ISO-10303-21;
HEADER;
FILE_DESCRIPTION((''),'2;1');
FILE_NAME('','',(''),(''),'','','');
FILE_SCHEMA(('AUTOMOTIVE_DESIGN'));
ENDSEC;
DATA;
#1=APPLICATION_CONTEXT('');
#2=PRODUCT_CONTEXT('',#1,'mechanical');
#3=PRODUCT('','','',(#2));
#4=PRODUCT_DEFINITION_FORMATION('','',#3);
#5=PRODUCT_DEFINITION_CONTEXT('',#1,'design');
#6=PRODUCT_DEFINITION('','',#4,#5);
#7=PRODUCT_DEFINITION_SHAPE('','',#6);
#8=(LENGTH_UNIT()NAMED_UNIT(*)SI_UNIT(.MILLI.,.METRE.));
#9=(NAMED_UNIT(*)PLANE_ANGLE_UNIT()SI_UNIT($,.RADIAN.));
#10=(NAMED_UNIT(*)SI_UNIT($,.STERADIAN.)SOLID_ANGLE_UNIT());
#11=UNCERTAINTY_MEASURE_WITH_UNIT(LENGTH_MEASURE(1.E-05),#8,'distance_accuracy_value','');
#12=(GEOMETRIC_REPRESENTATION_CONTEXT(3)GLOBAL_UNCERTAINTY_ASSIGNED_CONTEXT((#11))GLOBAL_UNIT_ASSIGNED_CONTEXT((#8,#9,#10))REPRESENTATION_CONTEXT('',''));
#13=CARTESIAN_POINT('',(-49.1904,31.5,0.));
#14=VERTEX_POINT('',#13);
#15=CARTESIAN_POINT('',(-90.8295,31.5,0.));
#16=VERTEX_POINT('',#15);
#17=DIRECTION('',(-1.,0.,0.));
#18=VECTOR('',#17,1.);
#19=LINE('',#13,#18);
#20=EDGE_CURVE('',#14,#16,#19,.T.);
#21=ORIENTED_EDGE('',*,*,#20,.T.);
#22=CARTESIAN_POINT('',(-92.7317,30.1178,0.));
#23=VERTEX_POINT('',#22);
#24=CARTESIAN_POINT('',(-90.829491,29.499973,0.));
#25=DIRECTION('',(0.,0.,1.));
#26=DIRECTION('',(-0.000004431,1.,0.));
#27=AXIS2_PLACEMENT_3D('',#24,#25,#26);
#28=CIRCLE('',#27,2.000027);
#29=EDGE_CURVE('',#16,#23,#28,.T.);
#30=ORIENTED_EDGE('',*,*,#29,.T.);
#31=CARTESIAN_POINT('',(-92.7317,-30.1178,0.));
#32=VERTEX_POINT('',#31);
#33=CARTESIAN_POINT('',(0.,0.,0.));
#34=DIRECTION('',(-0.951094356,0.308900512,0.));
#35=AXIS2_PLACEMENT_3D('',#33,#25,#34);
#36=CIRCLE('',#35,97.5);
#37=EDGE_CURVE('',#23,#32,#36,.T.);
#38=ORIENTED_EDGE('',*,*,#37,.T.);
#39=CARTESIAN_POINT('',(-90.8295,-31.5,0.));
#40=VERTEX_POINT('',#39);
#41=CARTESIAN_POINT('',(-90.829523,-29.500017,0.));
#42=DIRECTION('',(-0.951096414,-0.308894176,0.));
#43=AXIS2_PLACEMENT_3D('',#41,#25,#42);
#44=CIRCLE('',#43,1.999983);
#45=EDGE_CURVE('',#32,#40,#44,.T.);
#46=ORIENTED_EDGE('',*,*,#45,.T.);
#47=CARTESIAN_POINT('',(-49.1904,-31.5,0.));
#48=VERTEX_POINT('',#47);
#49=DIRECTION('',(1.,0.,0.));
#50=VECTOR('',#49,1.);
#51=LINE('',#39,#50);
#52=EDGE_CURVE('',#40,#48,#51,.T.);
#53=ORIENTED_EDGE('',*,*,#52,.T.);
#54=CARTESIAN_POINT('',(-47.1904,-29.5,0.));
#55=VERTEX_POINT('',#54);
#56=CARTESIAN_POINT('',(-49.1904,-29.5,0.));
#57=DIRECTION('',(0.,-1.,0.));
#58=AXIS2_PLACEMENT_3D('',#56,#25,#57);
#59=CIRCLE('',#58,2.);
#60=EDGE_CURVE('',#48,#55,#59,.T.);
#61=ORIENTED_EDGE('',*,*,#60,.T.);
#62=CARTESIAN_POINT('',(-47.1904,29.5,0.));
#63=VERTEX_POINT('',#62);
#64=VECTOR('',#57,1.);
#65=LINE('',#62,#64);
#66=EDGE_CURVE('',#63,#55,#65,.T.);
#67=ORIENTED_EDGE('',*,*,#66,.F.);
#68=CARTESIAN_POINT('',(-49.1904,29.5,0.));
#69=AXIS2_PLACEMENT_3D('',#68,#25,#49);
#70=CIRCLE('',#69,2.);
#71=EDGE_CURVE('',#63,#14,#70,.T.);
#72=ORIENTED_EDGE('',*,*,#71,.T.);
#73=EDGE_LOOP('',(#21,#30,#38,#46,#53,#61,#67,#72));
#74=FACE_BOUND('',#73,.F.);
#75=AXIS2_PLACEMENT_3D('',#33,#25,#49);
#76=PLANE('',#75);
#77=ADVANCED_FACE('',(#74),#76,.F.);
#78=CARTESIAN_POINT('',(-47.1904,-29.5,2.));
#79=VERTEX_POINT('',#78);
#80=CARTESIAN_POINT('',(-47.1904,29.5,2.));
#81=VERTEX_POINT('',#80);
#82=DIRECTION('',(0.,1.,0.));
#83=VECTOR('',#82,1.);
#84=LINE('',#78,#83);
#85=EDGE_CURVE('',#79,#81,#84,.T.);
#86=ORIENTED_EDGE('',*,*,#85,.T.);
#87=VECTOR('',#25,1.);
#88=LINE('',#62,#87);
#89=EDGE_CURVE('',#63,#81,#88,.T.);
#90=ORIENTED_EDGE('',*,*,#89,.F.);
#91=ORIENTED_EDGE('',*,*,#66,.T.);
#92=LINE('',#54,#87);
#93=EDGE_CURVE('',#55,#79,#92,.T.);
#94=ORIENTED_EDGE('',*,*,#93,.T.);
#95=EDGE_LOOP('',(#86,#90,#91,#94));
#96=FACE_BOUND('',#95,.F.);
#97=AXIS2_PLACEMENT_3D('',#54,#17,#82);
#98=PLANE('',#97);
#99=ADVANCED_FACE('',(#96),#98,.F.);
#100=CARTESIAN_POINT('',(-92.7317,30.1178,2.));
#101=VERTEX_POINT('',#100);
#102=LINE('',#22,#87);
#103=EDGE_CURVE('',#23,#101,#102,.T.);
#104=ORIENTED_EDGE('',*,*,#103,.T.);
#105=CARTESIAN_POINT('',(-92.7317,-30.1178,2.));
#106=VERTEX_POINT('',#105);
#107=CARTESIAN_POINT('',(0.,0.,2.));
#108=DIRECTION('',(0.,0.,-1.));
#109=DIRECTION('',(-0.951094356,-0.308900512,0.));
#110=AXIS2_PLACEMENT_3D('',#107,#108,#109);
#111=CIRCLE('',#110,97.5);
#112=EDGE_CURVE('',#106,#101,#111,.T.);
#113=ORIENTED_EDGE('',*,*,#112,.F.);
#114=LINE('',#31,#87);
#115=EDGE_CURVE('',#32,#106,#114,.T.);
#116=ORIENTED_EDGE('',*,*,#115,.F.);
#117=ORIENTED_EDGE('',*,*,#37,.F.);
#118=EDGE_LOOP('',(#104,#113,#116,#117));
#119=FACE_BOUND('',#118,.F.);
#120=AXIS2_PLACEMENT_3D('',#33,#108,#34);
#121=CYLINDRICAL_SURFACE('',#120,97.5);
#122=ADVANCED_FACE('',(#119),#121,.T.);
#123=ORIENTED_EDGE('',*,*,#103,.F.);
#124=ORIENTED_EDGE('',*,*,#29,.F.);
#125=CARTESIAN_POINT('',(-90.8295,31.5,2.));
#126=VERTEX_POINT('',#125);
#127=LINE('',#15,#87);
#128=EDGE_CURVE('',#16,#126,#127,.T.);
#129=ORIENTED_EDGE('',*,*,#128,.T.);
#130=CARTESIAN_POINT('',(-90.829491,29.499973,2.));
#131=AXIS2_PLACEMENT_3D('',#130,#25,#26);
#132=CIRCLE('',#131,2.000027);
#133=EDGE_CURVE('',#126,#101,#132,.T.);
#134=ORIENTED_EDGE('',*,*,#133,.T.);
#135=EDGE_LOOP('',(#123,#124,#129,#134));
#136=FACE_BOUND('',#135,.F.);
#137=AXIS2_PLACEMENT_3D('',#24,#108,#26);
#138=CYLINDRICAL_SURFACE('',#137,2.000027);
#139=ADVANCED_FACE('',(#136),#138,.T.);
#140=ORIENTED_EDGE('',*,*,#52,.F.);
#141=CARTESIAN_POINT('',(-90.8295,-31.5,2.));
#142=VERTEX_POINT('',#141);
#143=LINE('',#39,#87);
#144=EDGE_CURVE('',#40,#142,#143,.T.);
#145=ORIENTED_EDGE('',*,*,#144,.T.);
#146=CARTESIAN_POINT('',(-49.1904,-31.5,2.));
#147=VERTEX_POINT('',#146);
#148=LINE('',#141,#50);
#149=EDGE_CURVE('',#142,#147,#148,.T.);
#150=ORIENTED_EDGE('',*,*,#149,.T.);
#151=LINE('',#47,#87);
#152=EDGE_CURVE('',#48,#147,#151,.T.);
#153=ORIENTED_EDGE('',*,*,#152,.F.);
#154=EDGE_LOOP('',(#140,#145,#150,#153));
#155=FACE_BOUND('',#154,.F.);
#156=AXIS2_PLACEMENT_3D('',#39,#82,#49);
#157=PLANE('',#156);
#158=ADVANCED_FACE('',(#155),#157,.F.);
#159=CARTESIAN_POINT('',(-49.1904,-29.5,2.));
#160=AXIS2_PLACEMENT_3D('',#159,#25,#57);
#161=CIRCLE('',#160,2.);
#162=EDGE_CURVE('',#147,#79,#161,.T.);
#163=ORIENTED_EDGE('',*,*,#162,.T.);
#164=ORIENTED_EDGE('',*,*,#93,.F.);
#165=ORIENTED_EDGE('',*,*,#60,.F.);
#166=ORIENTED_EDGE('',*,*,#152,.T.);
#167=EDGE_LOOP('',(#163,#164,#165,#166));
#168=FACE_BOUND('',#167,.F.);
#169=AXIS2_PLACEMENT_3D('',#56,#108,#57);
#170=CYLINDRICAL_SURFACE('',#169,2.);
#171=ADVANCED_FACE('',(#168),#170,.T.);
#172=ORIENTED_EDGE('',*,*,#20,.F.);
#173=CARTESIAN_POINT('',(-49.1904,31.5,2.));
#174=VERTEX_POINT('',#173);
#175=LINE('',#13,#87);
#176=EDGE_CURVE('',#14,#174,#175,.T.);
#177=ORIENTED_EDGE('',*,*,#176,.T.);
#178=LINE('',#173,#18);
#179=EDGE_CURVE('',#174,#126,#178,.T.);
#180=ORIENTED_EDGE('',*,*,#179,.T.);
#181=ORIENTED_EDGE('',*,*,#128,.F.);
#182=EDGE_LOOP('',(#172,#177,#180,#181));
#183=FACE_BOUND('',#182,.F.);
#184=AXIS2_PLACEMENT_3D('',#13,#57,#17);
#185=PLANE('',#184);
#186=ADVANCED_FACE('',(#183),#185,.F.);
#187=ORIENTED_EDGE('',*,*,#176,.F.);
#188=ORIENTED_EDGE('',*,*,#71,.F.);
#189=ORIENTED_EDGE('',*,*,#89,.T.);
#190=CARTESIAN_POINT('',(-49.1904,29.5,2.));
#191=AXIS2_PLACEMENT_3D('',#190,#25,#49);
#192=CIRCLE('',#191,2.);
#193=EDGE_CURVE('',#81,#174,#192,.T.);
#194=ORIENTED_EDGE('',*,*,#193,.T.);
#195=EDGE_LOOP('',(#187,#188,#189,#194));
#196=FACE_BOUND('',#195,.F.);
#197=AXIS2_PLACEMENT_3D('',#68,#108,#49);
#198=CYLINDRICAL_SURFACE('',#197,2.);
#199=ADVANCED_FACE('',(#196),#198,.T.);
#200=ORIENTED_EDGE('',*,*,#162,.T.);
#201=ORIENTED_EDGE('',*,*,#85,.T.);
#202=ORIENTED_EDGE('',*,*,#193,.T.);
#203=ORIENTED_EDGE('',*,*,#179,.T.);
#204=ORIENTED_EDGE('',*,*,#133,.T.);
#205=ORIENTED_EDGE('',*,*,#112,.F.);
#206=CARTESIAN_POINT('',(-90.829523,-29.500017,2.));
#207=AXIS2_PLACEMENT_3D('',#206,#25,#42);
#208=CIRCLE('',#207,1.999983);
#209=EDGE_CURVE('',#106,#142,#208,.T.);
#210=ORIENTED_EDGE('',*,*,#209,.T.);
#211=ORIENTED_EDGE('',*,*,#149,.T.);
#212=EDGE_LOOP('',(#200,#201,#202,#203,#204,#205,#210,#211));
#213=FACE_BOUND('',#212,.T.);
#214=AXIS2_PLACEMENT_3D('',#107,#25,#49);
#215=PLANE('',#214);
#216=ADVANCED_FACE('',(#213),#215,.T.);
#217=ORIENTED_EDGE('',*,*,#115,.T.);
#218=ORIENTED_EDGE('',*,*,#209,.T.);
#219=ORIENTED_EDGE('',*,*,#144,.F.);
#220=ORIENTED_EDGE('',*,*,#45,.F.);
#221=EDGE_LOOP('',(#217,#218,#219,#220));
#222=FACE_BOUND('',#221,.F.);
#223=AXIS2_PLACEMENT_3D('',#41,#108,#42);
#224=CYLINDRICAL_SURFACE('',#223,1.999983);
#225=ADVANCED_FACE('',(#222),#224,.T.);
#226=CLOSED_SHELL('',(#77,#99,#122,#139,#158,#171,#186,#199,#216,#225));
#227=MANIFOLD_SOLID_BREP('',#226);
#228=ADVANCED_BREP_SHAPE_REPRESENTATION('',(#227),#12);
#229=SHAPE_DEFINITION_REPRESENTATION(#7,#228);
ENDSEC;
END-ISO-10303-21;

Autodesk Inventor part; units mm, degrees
ref_plane "YZ Plane" through (0, 0, 0) normal (1, 0, 0) x (0, 1, 0)
ref_plane "XZ Plane" through (0, 0, 0) normal (0, 1, 0) x (-1, 0, 0)
ref_plane "XY Plane" through (0, 0, 0) normal (0, 0, 1) x (1, 0, 0)
sketch "Skizze1" plane through (0, 0, 0) normal (0, 0, 1) x (1, 0, 0)
  circle A0 centre (-39, 91.781) radius 1.6
  circle A1 centre (39, 91.781) radius 1.6
  circle A2 centre (-44.3776, -92.6293) radius 1.6
  circle A3 centre (92.6293, 44.3776) radius 1.6
  circle A4 centre (-92.6293, -44.3776) radius 1.6
  circle A5 centre (44.3776, -92.6293) radius 1.6
  circle A6 centre (92.6293, -44.3776) radius 1.6
  circle A7 centre (-92.6293, 44.3776) radius 1.6
  arc A8 (-95.4893, -49.3765) -> (-92.2985, -49.8721) centre (-93.7128, -48.4579) ccw
  line L0 (-90.1561, -47.7297) -> (-92.2985, -49.8721)
  arc A9 (-76.014, -47.7297) -> (-90.1561, -47.7297) centre (-83.085, -54.8008) ccw
  line L1 (-47.7297, -76.014) -> (-76.014, -47.7297)
  arc A10 (-47.7297, -90.1561) -> (-47.7297, -76.014) centre (-54.8008, -83.085) ccw
  line L2 (-49.8721, -92.2985) -> (-47.7297, -90.1561)
  arc A11 (-49.8721, -92.2985) -> (-49.3766, -95.4893) centre (-48.4579, -93.7128) ccw
  arc A12 (-49.3766, -95.4893) -> (49.3765, -95.4893) centre (0, 0) ccw
  arc A13 (49.3765, -95.4893) -> (49.8721, -92.2985) centre (48.4579, -93.7128) ccw
  line L3 (47.7297, -90.1561) -> (49.8721, -92.2985)
  arc A14 (47.7297, -76.014) -> (47.7297, -90.1561) centre (54.8008, -83.085) ccw
  line L4 (76.014, -47.7297) -> (47.7297, -76.014)
  arc A15 (90.1561, -47.7297) -> (76.014, -47.7297) centre (83.085, -54.8008) ccw
  line L5 (92.2985, -49.8721) -> (90.1561, -47.7297)
  arc A16 (92.2985, -49.8721) -> (95.4893, -49.3766) centre (93.7128, -48.4579) ccw
  arc A17 (95.4893, -49.3766) -> (95.4893, 49.3765) centre (0, 0) ccw
  arc A18 (95.4893, 49.3765) -> (92.2985, 49.8721) centre (93.7128, 48.4579) ccw
  line L6 (90.1561, 47.7297) -> (92.2985, 49.8721)
  arc A19 (76.014, 47.7297) -> (90.1561, 47.7297) centre (83.085, 54.8008) ccw
  line L7 (47.7297, 76.014) -> (76.014, 47.7297)
  arc A20 (47.7297, 90.1561) -> (47.7297, 76.014) centre (54.8008, 83.085) ccw
  line L8 (49.8721, 92.2985) -> (47.7297, 90.1561)
  arc A21 (49.8721, 92.2985) -> (49.3766, 95.4893) centre (48.4579, 93.7128) ccw
  arc A22 (49.3766, 95.4893) -> (38.3499, 100.4268) centre (0, 0) ccw
  arc A23 (38.3499, 100.4268) -> (35.7063, 99.0826) centre (37.6364, 98.5584) ccw
  arc A24 (28.7451, 85.4847) -> (35.7063, 99.0826) centre (0, 108.781) ccw
  arc A25 (20.9762, 81.781) -> (28.7451, 85.4847) centre (20.9762, 91.781) ccw
  line L9 (20.9762, 81.781) -> (-20.9762, 81.781)
  arc A26 (-28.7451, 85.4847) -> (-20.9762, 81.781) centre (-20.9762, 91.781) ccw
  arc A27 (-35.7063, 99.0826) -> (-28.7451, 85.4847) centre (0, 108.781) ccw
  arc A28 (-35.7063, 99.0826) -> (-38.3499, 100.4268) centre (-37.6364, 98.5584) ccw
  arc A29 (-38.3499, 100.4268) -> (-49.3765, 95.4893) centre (0, 0) ccw
  arc A30 (-49.3765, 95.4893) -> (-49.8721, 92.2985) centre (-48.4579, 93.7128) ccw
  line L10 (-47.7297, 90.1561) -> (-49.8721, 92.2985)
  arc A31 (-47.7297, 76.014) -> (-47.7297, 90.1561) centre (-54.8008, 83.085) ccw
  line L11 (-76.014, 47.7297) -> (-47.7297, 76.014)
  arc A32 (-90.1561, 47.7297) -> (-76.014, 47.7297) centre (-83.085, 54.8008) ccw
  line L12 (-92.2985, 49.8721) -> (-90.1561, 47.7297)
  arc A33 (-92.2985, 49.8721) -> (-95.4893, 49.3766) centre (-93.7128, 48.4579) ccw
  arc A34 (-95.4893, 49.3766) -> (-95.4893, -49.3765) centre (0, 0) ccw
  circle A35 centre (-67.8822, 48.7904) radius 1.6
  circle A36 centre (-48.7904, 67.8822) radius 1.6
  circle A37 centre (-67.8822, -48.7904) radius 1.6
  circle A38 centre (-48.7904, -67.8823) radius 1.6
  circle A39 centre (48.7904, -67.8823) radius 1.6
  circle A40 centre (67.8823, -48.7904) radius 1.6
  circle A41 centre (67.8823, 48.7904) radius 1.6
  circle A42 centre (48.7904, 67.8822) radius 1.6
  line L13 (48.7904, 67.8822) -> (67.8823, 48.7904) construction
  line L14 (70.7107, 45.9619) -> (45.9619, 70.7107) construction
  line L15 (67.1751, 42.4264) -> (42.4264, 67.1751)
  line L16 (42.4264, 67.1751) -> (49.4975, 74.2462)
  line L17 (49.4975, 74.2462) -> (74.2462, 49.4975)
  line L18 (74.2462, 49.4975) -> (67.1751, 42.4264)
  line L19 (67.1751, 42.4264) -> (49.4975, 74.2462) construction
  line L20 (42.4264, 67.1751) -> (74.2462, 49.4975) construction
  line L21 (0, 0) -> (61.8718, 61.8718) construction
  line L22 (61.8718, 61.8718) -> (13.7886, 13.7886) construction
  line L23 (67.5287, 56.215) -> (19.4454, 8.1317)
  line L24 (19.4454, 8.1317) -> (8.1317, 19.4454)
  line L25 (8.1317, 19.4454) -> (56.215, 67.5287)
  line L26 (56.215, 67.5287) -> (67.5287, 56.215)
  line L27 (67.5287, 56.215) -> (8.1317, 19.4454) construction
  line L28 (19.4454, 8.1317) -> (56.215, 67.5287) construction
  line L29 (-74.2462, 49.4975) -> (-49.4975, 74.2462)
  line L30 (-49.4975, 74.2462) -> (-42.4264, 67.1751)
  line L31 (-56.215, 67.5287) -> (-8.1317, 19.4454)
  line L32 (-42.4264, 67.1751) -> (-67.1751, 42.4264)
  line L33 (-19.4454, 8.1317) -> (-67.5287, 56.215)
  line L34 (-67.1751, 42.4264) -> (-74.2462, 49.4975)
  line L35 (-8.1317, 19.4454) -> (-19.4454, 8.1317)
  line L36 (-49.4975, -74.2462) -> (-74.2462, -49.4975)
  line L37 (-74.2462, -49.4975) -> (-67.1751, -42.4264)
  line L38 (-67.5287, -56.215) -> (-19.4454, -8.1317)
  line L39 (-67.1751, -42.4264) -> (-42.4264, -67.1751)
  line L40 (-8.1317, -19.4454) -> (-56.215, -67.5287)
  line L41 (-42.4264, -67.1751) -> (-49.4975, -74.2462)
  line L42 (-19.4454, -8.1317) -> (-8.1317, -19.4454)
  line L43 (74.2462, -49.4975) -> (49.4975, -74.2462)
  line L44 (49.4975, -74.2462) -> (42.4264, -67.1751)
  line L45 (56.215, -67.5287) -> (8.1317, -19.4454)
  line L46 (42.4264, -67.1751) -> (67.1751, -42.4264)
  line L47 (19.4454, -8.1317) -> (67.5287, -56.215)
  line L48 (67.1751, -42.4264) -> (74.2462, -49.4975)
  line L49 (8.1317, -19.4454) -> (19.4454, -8.1317)
  circle A43 centre (-14.902, -0.6571) radius 1.4
  circle A44 centre (14.732, 5.2251) radius 1.4
  circle A45 centre (0, 0) radius 4.85
  circle A46 centre (-22.9365, 16.8843) radius 1.6
  circle A47 centre (-22.9365, 16.8843) radius 1.6
  circle A48 centre (22.7665, 22.7665) radius 1.6
  circle A49 centre (22.7665, 22.7665) radius 1.6
  circle A50 centre (22.7665, -28.6487) radius 1.6
  circle A51 centre (22.7665, -28.6487) radius 1.6
  circle A52 centre (-22.7665, -22.7665) radius 1.6
  circle A53 centre (-22.7665, -22.7665) radius 1.6
  line L50 (-22.9365, 16.8843) -> (-25.9365, 16.8843)
  line L51 (-25.9365, 16.8843) -> (-25.9365, 19.8843)
  line L52 (-22.9365, 16.8843) -> (-22.9365, 13.8843)
  line L53 (-22.9365, 13.8843) -> (-19.9365, 13.8843)
  line L54 (22.7665, -28.6487) -> (25.7665, -28.6487)
  line L55 (25.7665, -28.6487) -> (25.7665, -31.6487)
  line L56 (22.7665, -28.6487) -> (22.7665, -25.6487)
  line L57 (22.7665, -25.6487) -> (19.7665, -25.6487)
  line L58 (-25.9365, 19.8843) -> (25.7665, 19.8843)
  line L59 (25.7665, 19.8843) -> (25.7665, -31.6487)
  line L60 (25.7665, -31.6487) -> (-25.9365, -31.6487)
  line L61 (-25.9365, -31.6487) -> (-25.9365, 19.8843)
  line L62 (19.7665, -25.6487) -> (-19.9365, -25.6487)
  line L63 (-19.9365, -25.6487) -> (-19.9365, 13.8843)
  line L64 (-19.9365, 13.8843) -> (19.7665, 13.8843)
  line L65 (19.7665, 13.8843) -> (19.7665, -25.6487)
  line L66 (-14.902, -0.6571) -> (-14.902, -2.6571)
  line L67 (-14.902, -2.6571) -> (-14.902, 1.3429)
  line L68 (-14.902, 1.3429) -> (-19.9365, 1.3429)
  line L69 (-14.902, -2.6571) -> (-19.9365, -2.6571)
  circle A54 centre (-14.902, -0.6571) radius 2
  line L70 (0, 4.85) -> (0, 5.85)
  line L71 (14.902, -2.6571) -> (19.9365, -2.6571)
  circle A55 centre (14.902, -0.6571) radius 2
  line L72 (14.902, 1.3429) -> (19.9365, 1.3429)
  circle A56 centre (14.902, -0.6571) radius 1.4
  line L73 (-97.5, 3.1883) -> (-25.9365, -5.8822) construction
  line L74 (-47.1904, -35.8767) -> (-47.1904, 29.5) construction
  line L75 (-107.5, 0) -> (-97.5, 3.1883) construction
  line L76 (-47.1904, -3.1883) -> (-97.5, 3.1883) construction
  line L77 (-90.8295, -31.5) -> (-49.1904, -31.5)
  line L78 (-47.1904, -29.5) -> (-47.1904, 31.5)
  line L79 (-49.1904, 31.5) -> (-90.8295, 31.5)
  line L80 (-93.745, -26.7978) -> (-47.1904, 31.5) construction
  line L81 (-47.1904, -31.5) -> (-93.745, 26.7978) construction
  arc A57 (-92.7317, 30.1178) -> (-92.7317, -30.1178) centre (0, 0) ccw
  arc A58 (-49.1904, -31.5) -> (-47.1904, -29.5) centre (-49.1904, -29.5) ccw
  arc A59 (-47.1904, 29.5) -> (-49.1904, 31.5) centre (-49.1904, 29.5) ccw
  arc A60 (-92.7317, -30.1178) -> (-90.8295, -31.5) centre (-90.8295, -29.5) ccw
  arc A61 (-90.8295, 31.5) -> (-92.7317, 30.1178) centre (-90.8295, 29.5) ccw
  line L82 (-47.1904, 0) -> (-97.5, 0)
  point P0 (0, 0)
  point P1 (0, 0)
  point P2 (0, 0)
  point P3 (58.3363, 58.3363)
  point P4 (37.8302, 37.8302)
  point P5 (-61.8718, 61.8718)
  point P6 (-13.7886, 13.7886)
  point P7 (-61.8718, -61.8718)
  point P8 (-13.7886, -13.7886)
  point P9 (61.8718, -61.8718)
  point P10 (13.7886, -13.7886)
  point P11 (0, 0)
  point P12 (-47.1904, 35.8767)
  point P13 (-72.3452, 0)
  point P14 (-92.2713, 31.5)
  point P15 (-92.2713, -31.5)
  dimension "d4" = 3.2
  dimension "d5" = 3.2
  dimension "d6" = 360
  dimension "d7" = 4
  dimension "d8" = 35
  dimension "d9" = 68
  dimension "d10" = 16
  dimension "d11" = 360
  dimension "d13" = 3
  dimension "d14" = 3
  dimension "d15" = 3
  dimension "d16" = 3
  dimension "d17" = 3
  dimension "d18" = 3
  dimension "d19" = 3
  dimension "d20" = 3
  dimension "d21" = 2
  dimension "d22" = 4
  dimension "d23" = 1
  dimension "d25" = 63
  dimension "d28" = 2
  dimension "d29" = 2
extrude "Extrusion1" add sketch "Skizze1" along normal blind 2 contours A60 A57 L82 L78 A58 L77 | A57 A61 L79 A59 L78 L82
properties part number "Motorplatine"
